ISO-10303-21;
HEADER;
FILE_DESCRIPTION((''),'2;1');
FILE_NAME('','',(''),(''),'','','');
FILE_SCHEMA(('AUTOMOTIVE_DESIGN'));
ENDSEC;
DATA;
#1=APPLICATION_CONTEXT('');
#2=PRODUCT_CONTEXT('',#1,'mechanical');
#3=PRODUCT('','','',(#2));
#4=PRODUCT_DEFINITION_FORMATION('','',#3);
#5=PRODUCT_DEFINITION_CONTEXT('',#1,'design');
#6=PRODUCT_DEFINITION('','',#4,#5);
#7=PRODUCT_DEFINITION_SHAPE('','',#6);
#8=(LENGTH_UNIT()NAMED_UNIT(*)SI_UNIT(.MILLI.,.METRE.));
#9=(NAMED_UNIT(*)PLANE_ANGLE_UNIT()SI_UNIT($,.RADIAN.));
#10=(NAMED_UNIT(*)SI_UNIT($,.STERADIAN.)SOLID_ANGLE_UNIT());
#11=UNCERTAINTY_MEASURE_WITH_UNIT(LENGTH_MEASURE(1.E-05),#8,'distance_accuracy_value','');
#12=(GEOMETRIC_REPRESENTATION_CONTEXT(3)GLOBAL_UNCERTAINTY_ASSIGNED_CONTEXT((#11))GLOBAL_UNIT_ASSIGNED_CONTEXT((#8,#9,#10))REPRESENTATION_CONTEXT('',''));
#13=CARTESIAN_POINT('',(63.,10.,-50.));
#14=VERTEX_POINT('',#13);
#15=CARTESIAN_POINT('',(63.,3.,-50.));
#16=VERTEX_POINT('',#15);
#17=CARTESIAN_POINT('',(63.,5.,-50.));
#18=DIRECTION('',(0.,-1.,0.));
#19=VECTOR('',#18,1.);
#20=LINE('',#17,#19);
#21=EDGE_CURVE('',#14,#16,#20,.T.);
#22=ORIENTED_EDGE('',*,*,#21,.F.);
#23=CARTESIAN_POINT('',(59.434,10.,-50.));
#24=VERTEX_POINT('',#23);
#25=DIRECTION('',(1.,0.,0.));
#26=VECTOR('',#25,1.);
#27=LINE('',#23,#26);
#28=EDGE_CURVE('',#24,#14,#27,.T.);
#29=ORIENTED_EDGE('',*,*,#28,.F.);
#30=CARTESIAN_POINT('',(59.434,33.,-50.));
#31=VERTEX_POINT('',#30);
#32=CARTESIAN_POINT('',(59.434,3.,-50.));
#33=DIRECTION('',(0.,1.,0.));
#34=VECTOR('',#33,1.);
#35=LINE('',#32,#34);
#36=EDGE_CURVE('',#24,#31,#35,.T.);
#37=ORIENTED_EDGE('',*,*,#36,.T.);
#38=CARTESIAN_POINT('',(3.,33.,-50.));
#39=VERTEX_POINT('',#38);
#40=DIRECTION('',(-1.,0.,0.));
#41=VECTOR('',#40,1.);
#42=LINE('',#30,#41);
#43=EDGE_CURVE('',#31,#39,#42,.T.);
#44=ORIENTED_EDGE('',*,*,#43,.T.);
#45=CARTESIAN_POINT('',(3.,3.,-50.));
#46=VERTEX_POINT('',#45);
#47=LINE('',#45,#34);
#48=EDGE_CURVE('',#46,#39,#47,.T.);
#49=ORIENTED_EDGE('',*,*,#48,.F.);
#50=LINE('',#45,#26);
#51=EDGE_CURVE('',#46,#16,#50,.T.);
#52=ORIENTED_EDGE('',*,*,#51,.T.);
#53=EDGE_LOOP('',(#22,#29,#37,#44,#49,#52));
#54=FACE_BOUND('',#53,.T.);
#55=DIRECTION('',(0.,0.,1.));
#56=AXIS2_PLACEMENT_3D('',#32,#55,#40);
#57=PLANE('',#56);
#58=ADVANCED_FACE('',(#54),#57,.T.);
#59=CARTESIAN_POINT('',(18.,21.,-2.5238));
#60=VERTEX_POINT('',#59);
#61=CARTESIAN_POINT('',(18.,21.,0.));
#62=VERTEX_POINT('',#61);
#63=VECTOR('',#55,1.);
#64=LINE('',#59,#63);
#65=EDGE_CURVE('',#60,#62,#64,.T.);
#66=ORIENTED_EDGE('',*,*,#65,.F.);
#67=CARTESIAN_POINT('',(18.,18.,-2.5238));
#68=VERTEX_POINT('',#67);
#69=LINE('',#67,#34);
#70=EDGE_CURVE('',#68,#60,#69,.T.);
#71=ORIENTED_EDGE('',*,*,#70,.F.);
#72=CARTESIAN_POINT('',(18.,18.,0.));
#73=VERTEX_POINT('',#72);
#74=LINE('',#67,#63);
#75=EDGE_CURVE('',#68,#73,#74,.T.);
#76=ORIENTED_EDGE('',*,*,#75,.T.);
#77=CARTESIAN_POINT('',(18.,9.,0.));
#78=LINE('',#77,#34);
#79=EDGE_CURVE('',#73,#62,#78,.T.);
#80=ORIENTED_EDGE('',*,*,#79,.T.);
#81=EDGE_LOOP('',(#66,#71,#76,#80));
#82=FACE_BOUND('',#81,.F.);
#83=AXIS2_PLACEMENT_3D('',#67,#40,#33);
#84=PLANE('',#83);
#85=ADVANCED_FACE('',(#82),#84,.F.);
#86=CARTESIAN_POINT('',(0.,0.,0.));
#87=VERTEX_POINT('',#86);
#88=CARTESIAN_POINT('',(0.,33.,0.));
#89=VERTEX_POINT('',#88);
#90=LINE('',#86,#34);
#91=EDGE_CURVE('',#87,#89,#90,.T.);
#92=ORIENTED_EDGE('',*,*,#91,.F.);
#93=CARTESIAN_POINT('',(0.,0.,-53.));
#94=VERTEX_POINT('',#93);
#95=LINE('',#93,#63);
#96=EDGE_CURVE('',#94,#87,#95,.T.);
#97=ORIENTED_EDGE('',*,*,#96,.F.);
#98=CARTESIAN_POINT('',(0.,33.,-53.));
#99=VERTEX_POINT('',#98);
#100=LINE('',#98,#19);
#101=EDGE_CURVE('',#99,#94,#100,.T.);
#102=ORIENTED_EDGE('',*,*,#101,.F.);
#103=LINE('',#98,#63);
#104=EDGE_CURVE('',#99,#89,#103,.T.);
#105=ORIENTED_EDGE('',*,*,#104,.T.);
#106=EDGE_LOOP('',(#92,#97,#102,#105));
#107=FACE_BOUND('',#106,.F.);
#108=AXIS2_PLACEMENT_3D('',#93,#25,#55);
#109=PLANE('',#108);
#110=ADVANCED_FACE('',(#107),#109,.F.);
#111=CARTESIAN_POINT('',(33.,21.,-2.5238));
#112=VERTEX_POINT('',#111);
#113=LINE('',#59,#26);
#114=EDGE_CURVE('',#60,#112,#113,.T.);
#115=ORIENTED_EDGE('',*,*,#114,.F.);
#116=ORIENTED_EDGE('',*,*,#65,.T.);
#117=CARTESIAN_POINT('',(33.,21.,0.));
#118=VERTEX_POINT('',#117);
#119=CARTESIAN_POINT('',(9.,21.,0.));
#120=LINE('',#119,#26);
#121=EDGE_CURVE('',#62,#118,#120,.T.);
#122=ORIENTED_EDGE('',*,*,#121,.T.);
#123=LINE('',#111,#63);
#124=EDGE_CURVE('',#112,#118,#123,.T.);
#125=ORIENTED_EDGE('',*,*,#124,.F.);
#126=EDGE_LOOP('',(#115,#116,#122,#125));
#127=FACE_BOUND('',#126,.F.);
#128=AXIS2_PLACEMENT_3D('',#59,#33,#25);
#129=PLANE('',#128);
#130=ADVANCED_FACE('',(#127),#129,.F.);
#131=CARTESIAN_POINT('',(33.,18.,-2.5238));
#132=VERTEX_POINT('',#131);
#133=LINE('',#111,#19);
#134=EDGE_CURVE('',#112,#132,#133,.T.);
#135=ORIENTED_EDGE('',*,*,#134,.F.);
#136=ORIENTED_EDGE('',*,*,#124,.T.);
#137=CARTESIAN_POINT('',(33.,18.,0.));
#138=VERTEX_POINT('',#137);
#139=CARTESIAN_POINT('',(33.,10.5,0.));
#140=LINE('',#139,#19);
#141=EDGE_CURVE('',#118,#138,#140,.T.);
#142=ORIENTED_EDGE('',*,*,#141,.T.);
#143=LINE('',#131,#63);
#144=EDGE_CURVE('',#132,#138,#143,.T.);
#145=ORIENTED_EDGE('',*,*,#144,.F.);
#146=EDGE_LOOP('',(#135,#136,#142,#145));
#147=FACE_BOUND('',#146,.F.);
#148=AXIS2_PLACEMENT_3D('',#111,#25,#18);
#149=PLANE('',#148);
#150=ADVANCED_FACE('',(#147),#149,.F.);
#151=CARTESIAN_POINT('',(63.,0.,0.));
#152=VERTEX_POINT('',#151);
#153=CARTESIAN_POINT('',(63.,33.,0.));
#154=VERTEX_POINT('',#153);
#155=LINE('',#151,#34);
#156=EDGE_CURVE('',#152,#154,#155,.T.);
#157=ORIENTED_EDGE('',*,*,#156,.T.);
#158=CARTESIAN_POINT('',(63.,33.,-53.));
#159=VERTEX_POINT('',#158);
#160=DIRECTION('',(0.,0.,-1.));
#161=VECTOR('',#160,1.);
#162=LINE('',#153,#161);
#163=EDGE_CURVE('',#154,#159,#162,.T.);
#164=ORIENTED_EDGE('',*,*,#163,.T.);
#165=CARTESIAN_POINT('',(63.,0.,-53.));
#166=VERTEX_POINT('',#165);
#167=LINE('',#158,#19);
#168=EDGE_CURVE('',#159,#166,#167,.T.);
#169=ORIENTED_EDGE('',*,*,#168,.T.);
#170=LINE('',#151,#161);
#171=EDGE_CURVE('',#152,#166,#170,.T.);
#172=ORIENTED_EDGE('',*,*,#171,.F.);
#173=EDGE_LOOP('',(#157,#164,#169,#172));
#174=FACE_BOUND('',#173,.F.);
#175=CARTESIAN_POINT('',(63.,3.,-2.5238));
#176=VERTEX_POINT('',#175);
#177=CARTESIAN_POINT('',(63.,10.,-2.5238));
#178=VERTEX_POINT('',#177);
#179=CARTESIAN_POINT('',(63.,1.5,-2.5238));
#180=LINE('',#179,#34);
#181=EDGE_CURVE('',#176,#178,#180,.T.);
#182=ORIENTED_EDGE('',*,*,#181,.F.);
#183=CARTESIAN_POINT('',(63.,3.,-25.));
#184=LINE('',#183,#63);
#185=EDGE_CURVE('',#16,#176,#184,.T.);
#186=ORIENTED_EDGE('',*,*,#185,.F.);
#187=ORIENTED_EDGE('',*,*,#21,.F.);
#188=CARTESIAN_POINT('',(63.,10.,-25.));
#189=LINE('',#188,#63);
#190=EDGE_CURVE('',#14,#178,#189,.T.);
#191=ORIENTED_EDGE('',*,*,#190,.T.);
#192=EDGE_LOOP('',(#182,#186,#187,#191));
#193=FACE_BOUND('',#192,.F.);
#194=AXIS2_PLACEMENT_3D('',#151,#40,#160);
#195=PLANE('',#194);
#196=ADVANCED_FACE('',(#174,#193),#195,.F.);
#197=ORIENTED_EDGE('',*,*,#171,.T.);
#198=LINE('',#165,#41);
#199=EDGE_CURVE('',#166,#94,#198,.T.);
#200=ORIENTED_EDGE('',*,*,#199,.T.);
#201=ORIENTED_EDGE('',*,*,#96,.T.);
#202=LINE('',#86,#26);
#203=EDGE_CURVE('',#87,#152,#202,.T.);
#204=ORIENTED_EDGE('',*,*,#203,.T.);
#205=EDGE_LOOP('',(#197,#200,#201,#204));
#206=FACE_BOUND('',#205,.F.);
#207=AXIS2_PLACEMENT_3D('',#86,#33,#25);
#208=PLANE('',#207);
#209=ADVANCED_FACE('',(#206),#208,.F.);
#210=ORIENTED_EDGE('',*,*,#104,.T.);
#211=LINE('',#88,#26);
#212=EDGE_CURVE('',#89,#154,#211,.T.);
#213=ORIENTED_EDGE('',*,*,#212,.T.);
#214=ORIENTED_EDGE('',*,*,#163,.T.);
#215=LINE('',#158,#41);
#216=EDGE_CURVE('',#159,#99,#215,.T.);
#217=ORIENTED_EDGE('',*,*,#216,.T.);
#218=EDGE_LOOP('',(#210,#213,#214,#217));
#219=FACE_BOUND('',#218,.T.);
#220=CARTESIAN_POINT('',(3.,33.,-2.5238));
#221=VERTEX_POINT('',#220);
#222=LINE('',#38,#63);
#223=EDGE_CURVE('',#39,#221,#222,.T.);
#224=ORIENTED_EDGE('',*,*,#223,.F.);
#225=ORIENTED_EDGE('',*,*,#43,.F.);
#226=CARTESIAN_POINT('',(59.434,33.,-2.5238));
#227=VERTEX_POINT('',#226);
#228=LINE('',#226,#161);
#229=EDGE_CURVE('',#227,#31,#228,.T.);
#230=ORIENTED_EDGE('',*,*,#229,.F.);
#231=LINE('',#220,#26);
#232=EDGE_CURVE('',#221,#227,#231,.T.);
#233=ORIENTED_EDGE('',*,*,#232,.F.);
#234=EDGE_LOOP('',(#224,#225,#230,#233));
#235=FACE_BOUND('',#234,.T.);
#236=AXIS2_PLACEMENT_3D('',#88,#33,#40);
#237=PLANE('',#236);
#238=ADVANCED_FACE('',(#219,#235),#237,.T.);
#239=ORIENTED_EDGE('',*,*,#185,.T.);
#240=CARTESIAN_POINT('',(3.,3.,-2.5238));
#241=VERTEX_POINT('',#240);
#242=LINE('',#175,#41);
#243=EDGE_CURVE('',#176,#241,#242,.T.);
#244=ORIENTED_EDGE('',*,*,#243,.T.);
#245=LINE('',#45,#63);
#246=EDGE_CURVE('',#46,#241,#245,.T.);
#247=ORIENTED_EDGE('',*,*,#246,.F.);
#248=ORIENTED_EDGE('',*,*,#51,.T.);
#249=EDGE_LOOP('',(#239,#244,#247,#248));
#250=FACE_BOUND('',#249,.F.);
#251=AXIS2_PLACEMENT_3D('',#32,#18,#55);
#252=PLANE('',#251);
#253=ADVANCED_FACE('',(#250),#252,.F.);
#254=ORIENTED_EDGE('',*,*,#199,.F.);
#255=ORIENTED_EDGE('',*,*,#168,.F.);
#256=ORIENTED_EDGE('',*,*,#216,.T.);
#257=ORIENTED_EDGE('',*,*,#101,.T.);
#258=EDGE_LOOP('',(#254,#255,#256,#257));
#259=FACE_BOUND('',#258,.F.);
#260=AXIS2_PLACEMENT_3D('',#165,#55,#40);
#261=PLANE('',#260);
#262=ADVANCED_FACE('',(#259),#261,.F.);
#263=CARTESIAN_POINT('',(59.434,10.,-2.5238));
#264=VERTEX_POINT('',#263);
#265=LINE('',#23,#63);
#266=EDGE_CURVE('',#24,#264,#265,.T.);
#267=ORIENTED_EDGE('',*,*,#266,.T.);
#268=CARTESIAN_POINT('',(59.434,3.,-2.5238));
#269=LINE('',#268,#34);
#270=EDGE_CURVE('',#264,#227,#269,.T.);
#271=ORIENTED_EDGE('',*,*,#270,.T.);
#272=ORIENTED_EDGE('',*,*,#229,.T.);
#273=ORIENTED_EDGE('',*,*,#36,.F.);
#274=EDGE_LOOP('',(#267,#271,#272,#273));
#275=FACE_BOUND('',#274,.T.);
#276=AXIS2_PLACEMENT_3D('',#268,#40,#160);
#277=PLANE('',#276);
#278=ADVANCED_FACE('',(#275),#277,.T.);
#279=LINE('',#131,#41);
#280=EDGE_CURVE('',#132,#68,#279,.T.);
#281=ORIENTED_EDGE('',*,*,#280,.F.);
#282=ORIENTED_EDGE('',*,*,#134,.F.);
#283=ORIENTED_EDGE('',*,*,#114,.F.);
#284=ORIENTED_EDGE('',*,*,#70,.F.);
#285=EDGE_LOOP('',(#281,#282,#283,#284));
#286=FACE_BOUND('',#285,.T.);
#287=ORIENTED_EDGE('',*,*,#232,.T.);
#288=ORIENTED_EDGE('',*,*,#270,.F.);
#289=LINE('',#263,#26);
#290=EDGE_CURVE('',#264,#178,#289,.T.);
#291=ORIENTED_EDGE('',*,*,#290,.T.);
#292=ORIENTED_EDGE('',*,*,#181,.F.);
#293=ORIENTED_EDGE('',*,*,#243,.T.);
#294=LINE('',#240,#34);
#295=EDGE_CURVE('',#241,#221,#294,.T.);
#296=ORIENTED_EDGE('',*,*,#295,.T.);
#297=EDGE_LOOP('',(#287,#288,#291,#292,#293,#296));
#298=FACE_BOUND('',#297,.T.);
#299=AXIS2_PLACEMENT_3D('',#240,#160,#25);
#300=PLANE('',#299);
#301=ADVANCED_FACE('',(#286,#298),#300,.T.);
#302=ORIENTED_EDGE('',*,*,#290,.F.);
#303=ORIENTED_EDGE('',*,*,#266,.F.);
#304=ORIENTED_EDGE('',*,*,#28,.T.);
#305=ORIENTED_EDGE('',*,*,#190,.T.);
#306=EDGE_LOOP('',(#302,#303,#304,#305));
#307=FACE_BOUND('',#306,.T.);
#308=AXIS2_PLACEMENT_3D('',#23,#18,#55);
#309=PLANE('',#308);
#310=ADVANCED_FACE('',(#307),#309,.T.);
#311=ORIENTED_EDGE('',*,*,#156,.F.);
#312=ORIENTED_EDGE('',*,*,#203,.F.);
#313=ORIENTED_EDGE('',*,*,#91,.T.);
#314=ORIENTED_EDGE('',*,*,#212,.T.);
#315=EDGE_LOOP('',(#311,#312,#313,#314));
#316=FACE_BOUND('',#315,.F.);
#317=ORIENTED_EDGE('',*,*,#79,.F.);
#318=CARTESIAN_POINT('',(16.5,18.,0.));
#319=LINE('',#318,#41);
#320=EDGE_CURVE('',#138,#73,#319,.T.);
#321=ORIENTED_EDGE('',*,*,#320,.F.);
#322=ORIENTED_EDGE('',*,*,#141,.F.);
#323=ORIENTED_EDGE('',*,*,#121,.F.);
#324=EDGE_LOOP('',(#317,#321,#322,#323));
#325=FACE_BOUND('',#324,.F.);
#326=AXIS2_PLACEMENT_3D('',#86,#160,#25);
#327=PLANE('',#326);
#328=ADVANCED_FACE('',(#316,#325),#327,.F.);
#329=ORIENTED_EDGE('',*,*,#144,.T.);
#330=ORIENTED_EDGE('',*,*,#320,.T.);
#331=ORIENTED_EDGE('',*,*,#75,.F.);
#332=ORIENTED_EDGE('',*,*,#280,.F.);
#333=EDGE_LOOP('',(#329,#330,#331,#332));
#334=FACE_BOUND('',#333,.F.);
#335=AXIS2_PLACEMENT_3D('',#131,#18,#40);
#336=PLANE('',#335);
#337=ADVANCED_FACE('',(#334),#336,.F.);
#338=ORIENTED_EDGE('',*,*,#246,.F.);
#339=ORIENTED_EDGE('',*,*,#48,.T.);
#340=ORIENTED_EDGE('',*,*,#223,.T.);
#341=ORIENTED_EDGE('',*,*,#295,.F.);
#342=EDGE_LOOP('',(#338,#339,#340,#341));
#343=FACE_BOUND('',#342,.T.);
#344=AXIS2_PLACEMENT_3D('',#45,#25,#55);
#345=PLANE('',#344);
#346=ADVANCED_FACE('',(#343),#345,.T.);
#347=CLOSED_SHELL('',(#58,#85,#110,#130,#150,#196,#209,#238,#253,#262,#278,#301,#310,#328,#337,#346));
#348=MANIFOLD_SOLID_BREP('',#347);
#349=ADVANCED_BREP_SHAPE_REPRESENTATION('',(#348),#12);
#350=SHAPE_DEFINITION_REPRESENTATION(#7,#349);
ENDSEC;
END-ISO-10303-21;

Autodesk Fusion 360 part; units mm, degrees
sketch "Dugnas" plane through (0, 0, 0) normal (0, 1, 0) x (1, 0, 0)
  line L0 (0, 0) -> (63, 0)
  line L1 (63, 0) -> (63, 53)
  line L2 (63, 53) -> (0, 53)
  line L3 (0, 53) -> (0, 0)
  dimension "d1" = 53
  dimension "d2" = 63
extrude "Extrude1" add sketch "Dugnas" along normal blind 3
sketch "Sienos" plane through (0, 3, 0) normal (0, 1, 0) x (-1, 0, 0)
  line L0 (0, -53) -> (0, 0)
  line L1 (0, 0) -> (-63, 0)
  line L2 (-63, 0) -> (-63, -53)
  line L3 (-63, -53) -> (0, -53)
  line L4 (0, 0) -> (-63, -53) construction
  line L5 (0, -53) -> (-63, 0) construction
  line L6 (-3, -2.5238) -> (-59.434, -2.5238)
  line L7 (-59.434, -2.5238) -> (-59.434, -50)
  line L8 (-59.434, -50) -> (-3, -50)
  line L9 (-3, -50) -> (-3, -2.5238)
  dimension "d5" = 3
  dimension "d6" = 3
extrude "Extrude4" add sketch "Sienos" along normal blind 30
sketch "USBC" plane through (59.434, 0, 0) normal (-1, 0, 0) x (0, 0, 1)
  line L0 (-50, 3) -> (-2.5238, 3)
  line L1 (-2.5238, 3) -> (-2.5238, 33)
  line L2 (-2.5238, 33) -> (-50, 33)
  line L3 (-50, 33) -> (-50, 3)
  line L4 (-50, 10) -> (0, 10)
  line L5 (-2.5238, 3) -> (-50, 3)
  dimension "d13" = 7
extrude "Extrude5" cut sketch "USBC" against normal blind 11 contours L0 L1 L3 L4 L5
sketch "LED" plane through (0, 0, -2.5238) normal (0, 0, -1) x (-1, 0, 0)
  line L0 (-63, 3) -> (-3, 3)
  line L1 (-3, 3) -> (-3, 33)
  line L2 (-3, 33) -> (-59.434, 33)
  line L3 (-59.434, 33) -> (-59.434, 10)
  line L4 (-59.434, 10) -> (-63, 10)
  line L5 (-63, 10) -> (-63, 3)
  line L6 (-18, 21) -> (-33, 21)
  line L7 (-33, 21) -> (-33, 18)
  line L8 (-33, 18) -> (-18, 18)
  line L9 (-18, 18) -> (-18, 21)
  line L10 (-3, 3) -> (-59.434, 3)
  point P0 (-63, 3)
  dimension "d16" = 15
  dimension "d17" = 3
  dimension "d18" = 30
  dimension "d19" = 15
extrude "Extrude6" cut sketch "LED" against normal blind 31 contours L6 L7 L8 L9
